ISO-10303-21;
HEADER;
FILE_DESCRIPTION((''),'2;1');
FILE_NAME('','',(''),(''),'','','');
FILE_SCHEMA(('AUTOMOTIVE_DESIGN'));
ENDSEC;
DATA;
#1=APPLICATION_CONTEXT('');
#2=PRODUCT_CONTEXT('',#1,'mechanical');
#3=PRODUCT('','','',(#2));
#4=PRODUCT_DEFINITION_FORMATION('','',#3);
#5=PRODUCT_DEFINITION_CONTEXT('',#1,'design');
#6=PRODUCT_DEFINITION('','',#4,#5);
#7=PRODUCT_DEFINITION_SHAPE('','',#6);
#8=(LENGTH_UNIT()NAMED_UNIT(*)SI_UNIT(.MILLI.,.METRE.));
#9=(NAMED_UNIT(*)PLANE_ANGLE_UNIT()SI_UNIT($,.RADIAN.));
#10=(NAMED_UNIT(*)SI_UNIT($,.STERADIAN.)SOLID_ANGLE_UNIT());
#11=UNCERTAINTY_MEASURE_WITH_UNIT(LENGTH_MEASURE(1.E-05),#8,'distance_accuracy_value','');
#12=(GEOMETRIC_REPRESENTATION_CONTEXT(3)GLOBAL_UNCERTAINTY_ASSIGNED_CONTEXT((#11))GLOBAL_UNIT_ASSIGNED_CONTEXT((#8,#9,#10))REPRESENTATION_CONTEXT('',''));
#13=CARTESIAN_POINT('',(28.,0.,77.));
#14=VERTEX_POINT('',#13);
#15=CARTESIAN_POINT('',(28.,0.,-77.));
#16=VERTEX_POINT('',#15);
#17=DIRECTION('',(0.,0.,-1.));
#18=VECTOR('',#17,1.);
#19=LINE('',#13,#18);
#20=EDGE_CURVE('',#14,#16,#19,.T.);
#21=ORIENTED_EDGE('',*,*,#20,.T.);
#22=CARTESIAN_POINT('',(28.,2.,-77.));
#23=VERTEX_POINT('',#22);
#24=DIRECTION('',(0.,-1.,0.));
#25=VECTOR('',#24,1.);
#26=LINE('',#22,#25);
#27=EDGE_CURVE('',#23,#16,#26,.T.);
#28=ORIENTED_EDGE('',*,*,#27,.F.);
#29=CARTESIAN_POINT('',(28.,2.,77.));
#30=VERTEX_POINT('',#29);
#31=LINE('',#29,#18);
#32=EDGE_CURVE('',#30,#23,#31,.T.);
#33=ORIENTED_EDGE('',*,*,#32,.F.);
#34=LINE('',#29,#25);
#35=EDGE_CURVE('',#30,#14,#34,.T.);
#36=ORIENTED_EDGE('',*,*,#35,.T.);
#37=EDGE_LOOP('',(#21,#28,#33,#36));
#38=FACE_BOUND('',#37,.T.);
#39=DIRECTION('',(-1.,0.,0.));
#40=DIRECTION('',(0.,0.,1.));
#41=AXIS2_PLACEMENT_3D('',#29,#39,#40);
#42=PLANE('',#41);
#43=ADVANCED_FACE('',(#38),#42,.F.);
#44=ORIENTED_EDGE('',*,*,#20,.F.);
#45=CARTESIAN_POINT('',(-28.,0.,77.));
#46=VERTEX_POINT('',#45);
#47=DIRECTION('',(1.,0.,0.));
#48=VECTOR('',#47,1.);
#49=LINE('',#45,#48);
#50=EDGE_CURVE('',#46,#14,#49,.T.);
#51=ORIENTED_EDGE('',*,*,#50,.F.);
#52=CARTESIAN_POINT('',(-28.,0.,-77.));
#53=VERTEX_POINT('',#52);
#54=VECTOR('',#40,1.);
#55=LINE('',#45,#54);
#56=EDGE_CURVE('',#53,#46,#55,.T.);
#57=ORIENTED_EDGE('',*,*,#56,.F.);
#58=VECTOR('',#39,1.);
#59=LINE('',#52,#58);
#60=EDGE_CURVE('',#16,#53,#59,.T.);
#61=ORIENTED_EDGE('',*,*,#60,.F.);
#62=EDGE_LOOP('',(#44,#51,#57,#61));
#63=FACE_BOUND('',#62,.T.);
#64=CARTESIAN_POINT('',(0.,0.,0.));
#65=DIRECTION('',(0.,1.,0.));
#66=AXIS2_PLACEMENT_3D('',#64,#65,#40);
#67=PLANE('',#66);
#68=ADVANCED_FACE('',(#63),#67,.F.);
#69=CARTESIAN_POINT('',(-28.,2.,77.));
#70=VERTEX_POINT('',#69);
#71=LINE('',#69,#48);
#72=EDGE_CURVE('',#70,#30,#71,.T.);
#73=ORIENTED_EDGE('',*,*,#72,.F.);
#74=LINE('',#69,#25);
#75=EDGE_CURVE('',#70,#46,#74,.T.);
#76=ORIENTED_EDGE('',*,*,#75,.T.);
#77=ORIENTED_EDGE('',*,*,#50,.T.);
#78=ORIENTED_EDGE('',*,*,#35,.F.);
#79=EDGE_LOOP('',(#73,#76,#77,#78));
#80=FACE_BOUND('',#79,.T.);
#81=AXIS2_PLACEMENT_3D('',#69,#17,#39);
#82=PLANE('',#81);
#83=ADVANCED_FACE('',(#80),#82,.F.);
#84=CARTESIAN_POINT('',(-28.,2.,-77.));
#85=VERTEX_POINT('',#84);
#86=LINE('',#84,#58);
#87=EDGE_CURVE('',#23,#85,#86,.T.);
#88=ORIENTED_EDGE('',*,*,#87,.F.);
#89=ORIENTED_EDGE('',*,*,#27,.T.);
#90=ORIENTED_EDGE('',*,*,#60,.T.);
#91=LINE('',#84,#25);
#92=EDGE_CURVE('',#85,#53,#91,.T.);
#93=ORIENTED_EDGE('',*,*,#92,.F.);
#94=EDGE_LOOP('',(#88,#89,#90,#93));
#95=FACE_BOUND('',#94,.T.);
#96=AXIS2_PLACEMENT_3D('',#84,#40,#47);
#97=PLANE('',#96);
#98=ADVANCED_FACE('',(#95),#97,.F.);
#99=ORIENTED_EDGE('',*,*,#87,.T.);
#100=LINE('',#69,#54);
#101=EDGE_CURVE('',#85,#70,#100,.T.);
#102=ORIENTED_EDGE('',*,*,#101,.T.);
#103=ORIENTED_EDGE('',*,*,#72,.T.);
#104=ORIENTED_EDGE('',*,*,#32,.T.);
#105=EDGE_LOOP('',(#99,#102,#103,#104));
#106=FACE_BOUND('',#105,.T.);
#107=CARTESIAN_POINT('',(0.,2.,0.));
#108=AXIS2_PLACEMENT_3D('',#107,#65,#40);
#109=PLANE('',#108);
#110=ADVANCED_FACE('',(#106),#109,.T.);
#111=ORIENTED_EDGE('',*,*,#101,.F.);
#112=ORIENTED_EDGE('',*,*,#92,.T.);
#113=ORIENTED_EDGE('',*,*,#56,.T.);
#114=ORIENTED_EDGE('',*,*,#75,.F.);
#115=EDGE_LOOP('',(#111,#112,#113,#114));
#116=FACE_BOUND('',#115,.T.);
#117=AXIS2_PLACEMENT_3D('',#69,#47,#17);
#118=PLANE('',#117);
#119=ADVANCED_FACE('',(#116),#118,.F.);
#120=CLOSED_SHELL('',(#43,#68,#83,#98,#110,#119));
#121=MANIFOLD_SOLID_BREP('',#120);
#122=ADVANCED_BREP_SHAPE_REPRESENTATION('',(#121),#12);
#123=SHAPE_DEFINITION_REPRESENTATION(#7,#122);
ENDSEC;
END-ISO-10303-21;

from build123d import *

# Parameters (mm, degrees)
SKETCH1_W           = 56
SKETCH1_H           = 154
BOSS_EXTRUDE1_DEPTH = 2


with BuildPart() as part:
    # Sketch1 → Boss-Extrude1 (new body)
    with BuildSketch(Plane(origin=(0, 0, 0), x_dir=(1, 0, 0), z_dir=(0, 1, 0))):
        Rectangle(SKETCH1_W, SKETCH1_H)
    extrude(amount=BOSS_EXTRUDE1_DEPTH)


solid = part.part
